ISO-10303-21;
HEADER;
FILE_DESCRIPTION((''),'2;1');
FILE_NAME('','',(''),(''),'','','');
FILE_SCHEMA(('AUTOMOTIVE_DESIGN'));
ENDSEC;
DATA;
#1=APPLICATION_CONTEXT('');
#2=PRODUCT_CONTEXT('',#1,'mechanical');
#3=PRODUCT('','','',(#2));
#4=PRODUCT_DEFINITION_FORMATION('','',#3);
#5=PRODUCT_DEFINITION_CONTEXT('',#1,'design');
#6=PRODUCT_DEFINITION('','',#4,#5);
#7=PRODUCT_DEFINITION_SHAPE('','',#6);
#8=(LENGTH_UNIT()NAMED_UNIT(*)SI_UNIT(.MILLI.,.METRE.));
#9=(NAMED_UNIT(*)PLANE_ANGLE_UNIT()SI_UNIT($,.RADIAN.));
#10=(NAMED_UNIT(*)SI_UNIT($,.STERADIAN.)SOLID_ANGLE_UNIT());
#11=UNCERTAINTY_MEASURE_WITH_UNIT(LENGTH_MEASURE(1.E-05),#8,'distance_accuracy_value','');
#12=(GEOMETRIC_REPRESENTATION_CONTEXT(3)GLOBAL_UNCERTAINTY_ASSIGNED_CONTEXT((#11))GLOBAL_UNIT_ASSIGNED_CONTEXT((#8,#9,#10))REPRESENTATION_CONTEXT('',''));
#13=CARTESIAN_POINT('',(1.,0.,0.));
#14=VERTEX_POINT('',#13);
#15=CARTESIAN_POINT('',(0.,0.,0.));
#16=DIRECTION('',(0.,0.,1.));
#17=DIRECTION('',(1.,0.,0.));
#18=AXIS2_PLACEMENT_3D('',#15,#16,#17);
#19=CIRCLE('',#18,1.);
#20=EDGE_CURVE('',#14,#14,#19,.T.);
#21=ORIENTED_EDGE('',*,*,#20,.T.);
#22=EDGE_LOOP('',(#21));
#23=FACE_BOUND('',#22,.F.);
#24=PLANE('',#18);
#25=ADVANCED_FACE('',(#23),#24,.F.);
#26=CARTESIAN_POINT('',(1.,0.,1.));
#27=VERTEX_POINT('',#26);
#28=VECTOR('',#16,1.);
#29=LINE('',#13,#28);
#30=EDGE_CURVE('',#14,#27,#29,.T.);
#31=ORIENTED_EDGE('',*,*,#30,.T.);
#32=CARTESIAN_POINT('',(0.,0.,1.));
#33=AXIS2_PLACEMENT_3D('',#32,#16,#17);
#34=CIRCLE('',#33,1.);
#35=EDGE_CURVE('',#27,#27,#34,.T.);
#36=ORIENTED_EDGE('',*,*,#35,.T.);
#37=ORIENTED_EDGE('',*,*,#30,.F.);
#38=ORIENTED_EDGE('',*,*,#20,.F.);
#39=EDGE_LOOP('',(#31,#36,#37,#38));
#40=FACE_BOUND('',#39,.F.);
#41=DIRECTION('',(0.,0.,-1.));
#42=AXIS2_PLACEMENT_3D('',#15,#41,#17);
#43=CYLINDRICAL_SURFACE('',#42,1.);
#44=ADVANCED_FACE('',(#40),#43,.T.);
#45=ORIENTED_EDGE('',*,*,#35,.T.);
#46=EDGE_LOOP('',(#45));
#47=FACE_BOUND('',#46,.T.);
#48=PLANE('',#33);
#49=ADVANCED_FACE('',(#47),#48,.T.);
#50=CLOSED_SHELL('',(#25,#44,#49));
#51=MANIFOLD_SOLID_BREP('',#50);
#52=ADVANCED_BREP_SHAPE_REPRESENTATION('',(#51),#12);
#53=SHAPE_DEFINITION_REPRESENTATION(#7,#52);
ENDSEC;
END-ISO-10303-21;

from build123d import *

# Parameters (mm, degrees)
CYLINDER_R     = 1
CYLINDER_DEPTH = 1


with BuildPart() as part:
    # Cylinder → Cylinder (new body)
    with BuildSketch(Plane.XY):
        Circle(CYLINDER_R)
    extrude(amount=CYLINDER_DEPTH)


solid = part.part
